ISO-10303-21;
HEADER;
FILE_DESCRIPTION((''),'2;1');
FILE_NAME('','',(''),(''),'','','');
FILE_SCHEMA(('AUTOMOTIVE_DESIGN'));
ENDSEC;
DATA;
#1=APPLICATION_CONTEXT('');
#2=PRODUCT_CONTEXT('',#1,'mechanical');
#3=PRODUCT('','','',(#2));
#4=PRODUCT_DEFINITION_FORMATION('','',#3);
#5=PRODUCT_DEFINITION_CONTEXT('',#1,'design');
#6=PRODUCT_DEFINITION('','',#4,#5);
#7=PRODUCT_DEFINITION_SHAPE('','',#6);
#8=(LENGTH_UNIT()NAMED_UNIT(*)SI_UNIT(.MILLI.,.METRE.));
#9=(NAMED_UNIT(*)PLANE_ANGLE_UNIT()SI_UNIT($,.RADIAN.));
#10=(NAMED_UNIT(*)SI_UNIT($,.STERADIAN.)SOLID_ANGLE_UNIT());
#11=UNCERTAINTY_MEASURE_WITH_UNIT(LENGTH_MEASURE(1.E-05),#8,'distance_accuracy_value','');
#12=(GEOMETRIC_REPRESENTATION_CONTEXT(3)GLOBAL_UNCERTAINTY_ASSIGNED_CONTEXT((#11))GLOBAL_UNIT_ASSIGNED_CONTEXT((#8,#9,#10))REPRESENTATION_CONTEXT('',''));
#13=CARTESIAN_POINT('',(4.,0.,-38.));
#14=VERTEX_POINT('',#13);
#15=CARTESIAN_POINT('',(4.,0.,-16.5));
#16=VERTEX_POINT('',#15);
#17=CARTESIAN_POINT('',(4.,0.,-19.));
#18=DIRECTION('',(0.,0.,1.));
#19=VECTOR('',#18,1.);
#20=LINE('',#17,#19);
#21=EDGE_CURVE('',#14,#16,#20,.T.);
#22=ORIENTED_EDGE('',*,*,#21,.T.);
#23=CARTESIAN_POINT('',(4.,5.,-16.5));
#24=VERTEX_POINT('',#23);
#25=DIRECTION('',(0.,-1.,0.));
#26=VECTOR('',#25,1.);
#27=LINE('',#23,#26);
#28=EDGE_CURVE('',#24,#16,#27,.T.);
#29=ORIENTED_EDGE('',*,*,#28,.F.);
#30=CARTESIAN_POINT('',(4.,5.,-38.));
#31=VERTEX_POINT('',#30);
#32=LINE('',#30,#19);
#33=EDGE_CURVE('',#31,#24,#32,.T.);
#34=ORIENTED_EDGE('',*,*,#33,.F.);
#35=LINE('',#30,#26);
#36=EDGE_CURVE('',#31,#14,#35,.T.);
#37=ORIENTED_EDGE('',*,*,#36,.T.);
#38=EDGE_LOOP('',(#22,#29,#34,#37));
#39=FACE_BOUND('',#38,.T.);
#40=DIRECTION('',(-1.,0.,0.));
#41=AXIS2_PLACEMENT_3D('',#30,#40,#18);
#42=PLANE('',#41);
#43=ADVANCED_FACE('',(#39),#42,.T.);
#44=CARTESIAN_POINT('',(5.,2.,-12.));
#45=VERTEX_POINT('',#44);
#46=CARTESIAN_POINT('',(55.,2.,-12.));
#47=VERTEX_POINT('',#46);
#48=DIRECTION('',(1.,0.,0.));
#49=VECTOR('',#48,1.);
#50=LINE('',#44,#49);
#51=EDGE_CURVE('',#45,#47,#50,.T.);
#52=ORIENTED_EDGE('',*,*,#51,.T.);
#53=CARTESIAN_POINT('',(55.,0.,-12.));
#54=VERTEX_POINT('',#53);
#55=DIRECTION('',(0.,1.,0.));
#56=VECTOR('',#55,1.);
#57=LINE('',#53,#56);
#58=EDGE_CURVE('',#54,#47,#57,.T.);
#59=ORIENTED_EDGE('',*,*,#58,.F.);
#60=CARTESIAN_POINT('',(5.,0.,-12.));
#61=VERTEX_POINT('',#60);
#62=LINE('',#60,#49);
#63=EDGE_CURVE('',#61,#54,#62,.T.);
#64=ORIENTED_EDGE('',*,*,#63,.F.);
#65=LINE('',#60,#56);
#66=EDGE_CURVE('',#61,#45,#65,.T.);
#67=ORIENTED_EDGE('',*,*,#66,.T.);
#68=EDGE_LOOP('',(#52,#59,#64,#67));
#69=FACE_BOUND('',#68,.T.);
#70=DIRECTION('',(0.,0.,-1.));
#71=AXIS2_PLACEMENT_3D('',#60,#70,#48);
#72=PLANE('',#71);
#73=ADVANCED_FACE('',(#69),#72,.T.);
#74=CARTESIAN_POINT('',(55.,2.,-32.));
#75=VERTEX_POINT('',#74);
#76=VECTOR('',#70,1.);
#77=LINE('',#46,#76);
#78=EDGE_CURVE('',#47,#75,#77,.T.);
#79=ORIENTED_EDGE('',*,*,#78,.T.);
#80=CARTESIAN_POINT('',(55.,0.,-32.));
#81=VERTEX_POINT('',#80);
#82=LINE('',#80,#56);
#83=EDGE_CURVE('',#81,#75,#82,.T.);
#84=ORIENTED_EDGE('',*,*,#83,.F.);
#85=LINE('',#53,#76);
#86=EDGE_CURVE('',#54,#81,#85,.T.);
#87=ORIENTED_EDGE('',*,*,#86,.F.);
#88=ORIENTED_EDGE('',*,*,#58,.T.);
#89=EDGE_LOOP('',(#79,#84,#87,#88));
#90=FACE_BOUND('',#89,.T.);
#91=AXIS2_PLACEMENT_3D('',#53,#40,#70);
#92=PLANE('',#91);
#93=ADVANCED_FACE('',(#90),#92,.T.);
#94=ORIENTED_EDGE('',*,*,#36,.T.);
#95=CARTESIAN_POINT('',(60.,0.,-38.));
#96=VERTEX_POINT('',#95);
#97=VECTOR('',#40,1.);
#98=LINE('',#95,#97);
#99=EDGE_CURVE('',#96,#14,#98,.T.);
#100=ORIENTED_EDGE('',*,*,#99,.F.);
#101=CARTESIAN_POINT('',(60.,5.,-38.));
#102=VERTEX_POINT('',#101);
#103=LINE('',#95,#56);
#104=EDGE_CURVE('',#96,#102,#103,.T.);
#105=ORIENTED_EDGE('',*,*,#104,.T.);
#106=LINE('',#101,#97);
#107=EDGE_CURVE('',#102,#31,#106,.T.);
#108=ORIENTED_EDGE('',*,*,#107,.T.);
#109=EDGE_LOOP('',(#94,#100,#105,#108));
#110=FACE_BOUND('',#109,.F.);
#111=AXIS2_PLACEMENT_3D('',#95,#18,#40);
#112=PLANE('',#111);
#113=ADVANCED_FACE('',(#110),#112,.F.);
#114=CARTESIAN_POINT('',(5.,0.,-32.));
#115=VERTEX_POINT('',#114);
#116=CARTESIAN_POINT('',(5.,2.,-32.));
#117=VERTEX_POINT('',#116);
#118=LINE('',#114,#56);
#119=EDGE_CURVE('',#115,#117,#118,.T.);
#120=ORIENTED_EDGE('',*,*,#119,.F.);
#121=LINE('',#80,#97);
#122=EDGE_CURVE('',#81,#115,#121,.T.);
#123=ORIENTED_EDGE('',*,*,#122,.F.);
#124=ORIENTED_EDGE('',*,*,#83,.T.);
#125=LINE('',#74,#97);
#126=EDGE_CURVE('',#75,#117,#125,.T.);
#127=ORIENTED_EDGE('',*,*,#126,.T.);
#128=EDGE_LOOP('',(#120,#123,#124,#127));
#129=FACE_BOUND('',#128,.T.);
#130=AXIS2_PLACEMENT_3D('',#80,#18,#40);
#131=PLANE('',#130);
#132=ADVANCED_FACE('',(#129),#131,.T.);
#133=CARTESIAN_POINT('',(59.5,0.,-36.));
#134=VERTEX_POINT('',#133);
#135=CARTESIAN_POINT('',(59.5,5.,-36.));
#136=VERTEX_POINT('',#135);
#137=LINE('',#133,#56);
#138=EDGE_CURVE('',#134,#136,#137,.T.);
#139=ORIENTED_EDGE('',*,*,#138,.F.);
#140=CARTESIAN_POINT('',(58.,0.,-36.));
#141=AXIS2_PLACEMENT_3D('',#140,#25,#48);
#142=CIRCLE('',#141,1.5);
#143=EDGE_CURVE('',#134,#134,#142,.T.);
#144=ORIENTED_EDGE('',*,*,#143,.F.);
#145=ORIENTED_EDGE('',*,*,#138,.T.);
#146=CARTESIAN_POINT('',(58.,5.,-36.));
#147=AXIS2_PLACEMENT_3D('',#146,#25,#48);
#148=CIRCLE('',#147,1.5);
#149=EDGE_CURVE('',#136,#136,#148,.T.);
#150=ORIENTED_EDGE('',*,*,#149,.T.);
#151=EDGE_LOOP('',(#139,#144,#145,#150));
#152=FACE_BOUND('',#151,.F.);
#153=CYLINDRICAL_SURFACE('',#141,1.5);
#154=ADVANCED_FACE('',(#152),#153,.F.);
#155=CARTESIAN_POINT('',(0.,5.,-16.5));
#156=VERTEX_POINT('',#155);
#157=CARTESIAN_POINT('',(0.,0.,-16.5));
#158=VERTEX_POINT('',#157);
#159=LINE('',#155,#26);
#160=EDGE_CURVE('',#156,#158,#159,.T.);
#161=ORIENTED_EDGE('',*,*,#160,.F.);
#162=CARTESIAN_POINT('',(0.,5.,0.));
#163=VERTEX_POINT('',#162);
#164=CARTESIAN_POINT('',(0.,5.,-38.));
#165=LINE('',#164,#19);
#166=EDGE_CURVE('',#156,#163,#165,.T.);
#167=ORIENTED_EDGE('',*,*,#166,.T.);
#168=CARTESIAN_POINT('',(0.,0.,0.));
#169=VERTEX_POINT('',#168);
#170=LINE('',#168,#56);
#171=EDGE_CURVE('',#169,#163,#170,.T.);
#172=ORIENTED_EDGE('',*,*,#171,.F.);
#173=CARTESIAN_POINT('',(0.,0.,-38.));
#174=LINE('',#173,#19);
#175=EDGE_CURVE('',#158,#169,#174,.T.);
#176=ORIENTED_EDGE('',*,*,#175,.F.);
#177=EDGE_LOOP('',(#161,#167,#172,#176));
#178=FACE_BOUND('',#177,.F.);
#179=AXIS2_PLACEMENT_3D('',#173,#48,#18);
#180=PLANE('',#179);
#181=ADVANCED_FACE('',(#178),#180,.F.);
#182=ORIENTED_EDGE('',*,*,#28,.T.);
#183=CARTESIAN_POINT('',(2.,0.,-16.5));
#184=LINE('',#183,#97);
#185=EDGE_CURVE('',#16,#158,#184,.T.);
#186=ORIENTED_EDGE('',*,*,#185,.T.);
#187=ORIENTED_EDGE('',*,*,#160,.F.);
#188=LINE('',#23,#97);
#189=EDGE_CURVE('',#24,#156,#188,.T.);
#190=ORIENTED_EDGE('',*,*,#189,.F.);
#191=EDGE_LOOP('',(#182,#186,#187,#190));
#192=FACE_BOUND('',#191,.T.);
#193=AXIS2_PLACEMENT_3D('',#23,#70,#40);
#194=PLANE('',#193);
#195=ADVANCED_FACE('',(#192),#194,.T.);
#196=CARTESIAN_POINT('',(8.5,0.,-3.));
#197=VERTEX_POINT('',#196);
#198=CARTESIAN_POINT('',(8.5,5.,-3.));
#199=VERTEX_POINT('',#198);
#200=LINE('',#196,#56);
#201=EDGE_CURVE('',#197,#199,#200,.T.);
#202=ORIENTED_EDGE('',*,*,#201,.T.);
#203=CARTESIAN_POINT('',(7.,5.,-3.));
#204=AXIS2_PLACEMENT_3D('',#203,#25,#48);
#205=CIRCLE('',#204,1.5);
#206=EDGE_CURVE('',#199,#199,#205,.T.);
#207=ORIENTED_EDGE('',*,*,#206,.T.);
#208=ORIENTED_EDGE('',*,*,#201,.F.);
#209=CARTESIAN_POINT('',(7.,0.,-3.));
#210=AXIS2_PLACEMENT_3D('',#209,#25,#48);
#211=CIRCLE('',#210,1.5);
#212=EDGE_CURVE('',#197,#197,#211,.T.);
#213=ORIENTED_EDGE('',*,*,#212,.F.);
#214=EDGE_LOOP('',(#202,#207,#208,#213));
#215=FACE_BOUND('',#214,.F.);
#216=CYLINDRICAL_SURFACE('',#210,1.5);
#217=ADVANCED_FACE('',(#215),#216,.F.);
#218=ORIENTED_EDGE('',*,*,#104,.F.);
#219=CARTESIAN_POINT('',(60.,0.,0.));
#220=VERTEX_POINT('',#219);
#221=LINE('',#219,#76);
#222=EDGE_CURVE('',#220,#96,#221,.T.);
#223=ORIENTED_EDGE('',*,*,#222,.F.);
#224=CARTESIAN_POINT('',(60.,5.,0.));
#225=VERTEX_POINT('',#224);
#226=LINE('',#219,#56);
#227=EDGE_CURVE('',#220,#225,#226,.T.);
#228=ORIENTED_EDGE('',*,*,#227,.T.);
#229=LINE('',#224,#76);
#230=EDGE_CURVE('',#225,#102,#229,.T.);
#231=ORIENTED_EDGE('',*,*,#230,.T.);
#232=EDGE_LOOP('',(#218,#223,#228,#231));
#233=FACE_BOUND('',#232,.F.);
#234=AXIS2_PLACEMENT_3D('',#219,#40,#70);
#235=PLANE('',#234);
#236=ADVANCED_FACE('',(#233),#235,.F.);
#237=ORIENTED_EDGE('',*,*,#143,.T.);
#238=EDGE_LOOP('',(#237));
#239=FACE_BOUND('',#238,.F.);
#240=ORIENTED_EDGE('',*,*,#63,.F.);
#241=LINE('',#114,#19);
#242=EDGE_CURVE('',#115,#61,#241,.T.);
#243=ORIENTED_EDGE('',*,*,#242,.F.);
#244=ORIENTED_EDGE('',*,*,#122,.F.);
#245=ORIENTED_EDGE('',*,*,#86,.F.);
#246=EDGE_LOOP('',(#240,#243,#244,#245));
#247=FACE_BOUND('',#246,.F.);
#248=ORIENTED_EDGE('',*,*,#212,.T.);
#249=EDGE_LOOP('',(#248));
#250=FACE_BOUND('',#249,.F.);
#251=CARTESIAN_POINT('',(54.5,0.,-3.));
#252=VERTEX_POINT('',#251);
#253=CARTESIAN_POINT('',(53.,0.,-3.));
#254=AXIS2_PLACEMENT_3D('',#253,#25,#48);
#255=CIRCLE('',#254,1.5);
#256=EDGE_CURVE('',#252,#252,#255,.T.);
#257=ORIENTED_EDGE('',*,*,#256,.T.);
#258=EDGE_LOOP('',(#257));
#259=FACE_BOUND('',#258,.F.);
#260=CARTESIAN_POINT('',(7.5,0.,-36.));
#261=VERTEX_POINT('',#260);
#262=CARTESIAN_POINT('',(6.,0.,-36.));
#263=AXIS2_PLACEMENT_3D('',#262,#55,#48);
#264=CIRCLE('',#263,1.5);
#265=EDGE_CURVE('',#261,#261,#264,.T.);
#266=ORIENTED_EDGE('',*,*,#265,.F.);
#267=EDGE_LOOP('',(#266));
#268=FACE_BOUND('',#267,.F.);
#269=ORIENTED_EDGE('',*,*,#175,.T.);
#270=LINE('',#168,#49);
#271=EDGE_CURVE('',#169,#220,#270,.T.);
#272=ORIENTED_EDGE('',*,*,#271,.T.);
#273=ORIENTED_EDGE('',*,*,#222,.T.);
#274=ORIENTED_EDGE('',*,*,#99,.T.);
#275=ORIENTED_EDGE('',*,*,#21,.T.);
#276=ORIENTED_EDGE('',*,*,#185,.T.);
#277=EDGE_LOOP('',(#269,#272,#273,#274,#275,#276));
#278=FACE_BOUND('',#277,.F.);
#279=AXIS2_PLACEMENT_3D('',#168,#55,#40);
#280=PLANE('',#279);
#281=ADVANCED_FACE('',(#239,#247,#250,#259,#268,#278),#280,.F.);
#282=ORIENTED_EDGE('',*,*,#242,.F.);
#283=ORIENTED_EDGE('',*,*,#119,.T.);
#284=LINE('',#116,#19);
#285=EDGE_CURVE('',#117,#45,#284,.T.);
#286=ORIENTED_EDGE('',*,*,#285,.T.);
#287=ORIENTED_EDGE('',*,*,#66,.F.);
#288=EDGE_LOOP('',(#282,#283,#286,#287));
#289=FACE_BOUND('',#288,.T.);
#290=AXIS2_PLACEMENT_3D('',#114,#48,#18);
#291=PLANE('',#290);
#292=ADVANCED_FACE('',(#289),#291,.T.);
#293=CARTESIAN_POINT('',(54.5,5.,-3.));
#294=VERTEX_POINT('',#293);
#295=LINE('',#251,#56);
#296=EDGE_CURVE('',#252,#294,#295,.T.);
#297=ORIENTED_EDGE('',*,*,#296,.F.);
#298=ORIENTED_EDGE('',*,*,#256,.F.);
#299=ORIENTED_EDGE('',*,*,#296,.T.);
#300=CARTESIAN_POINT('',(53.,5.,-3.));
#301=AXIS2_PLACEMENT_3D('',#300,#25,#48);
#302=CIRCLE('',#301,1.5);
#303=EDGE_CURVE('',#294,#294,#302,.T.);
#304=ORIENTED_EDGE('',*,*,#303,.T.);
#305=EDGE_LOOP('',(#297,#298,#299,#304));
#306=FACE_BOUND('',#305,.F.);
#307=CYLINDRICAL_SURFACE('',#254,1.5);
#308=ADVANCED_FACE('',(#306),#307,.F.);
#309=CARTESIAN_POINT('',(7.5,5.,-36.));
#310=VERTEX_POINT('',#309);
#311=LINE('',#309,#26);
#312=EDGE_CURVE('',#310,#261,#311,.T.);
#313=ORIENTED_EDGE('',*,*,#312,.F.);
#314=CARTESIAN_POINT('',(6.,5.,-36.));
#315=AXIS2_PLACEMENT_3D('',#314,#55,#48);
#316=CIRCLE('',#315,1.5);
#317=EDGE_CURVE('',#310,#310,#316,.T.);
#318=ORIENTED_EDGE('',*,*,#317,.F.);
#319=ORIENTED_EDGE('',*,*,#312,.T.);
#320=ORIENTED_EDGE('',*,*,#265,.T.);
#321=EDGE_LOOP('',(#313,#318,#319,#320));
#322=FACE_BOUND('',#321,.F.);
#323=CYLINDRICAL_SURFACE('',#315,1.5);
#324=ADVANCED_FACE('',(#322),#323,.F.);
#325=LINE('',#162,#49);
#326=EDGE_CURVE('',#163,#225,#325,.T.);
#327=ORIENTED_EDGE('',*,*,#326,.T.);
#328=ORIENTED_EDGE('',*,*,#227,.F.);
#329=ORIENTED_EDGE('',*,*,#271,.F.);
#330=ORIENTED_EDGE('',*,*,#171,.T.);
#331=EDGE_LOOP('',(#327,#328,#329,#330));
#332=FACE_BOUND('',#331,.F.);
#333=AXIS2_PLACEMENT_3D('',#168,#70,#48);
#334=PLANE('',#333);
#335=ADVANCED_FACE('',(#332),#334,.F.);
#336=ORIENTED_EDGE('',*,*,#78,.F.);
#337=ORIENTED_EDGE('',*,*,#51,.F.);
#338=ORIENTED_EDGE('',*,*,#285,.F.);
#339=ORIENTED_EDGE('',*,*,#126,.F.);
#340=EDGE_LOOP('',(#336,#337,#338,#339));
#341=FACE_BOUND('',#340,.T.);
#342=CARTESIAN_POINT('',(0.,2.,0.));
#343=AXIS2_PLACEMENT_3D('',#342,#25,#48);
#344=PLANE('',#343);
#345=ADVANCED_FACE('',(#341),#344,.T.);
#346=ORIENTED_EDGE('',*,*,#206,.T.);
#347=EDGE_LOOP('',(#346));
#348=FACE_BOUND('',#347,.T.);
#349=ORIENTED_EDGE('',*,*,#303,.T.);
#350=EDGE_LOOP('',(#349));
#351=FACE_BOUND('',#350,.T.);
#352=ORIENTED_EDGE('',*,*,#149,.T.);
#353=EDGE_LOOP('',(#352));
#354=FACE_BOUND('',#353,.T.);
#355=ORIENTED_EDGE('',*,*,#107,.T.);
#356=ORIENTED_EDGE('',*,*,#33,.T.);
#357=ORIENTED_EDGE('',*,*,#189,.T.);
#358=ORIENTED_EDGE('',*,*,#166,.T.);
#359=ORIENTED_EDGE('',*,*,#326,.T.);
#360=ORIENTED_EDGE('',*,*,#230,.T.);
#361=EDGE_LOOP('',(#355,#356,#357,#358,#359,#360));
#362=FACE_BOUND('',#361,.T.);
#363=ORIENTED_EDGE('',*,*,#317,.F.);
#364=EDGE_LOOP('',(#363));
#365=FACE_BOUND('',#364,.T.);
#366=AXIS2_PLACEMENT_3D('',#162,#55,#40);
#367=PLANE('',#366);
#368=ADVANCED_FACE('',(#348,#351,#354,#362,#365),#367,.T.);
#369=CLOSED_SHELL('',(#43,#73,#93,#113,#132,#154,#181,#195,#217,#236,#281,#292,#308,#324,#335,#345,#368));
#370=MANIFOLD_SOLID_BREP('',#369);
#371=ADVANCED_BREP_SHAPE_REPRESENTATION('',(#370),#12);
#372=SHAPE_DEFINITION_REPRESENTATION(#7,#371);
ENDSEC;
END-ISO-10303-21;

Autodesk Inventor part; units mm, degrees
ref_plane "YZ Plane" through (0, 0, 0) normal (1, 0, 0) x (0, 1, 0)
ref_plane "XZ Plane" through (0, 0, 0) normal (0, 1, 0) x (-1, 0, 0)
ref_plane "XY Plane" through (0, 0, 0) normal (0, 0, 1) x (1, 0, 0)
sketch "Sketch2" plane through (0, 0, 0) normal (0, 1, 0) x (-1, 0, 0)
  line L0 (0, 0) -> (-60, 0)
  line L1 (-60, 0) -> (-60, -38)
  line L2 (-60, -38) -> (0, -38)
  line L3 (0, -38) -> (0, 0)
  dimension "d2" = 60
  dimension "d3" = 38
extrude "Extrusion1" add sketch "Sketch2" along normal blind 5
sketch "Sketch3" plane through (0, 0, 0) normal (0, -1, 0) x (1, 0, 0)
  line L0 (55, -32) -> (5, -32)
  line L1 (5, -32) -> (5, -12)
  line L2 (5, -12) -> (55, -12)
  line L3 (55, -12) -> (55, -32)
  line L4 (60, -38) -> (0, -38) projected
  line L5 (60, 0) -> (60, -38) projected
  point P0 (0, 0)
  dimension "d6" = 50
  dimension "d7" = 20
  dimension "d8" = 6
  dimension "d9" = 5
extrude "Extrusion2" cut sketch "Sketch3" against normal blind 2
sketch "Sketch5" plane through (0, 0, 0) normal (0, -1, 0) x (1, 0, 0)
  circle A0 centre (58, -36) radius 1.5
  line L0 (60, 0) -> (60, -38) projected
  line L1 (60, -38) -> (0, -38) projected
  line L2 (0, -38) -> (0, 0) projected
  dimension "d14" = 3
  dimension "d15" = 2
  dimension "d16" = 2
extrude "Extrusion3" cut sketch "Sketch5" against normal blind 5
sketch "Sketch6" plane through (0, 0, 0) normal (0, -1, 0) x (1, 0, 0)
  circle A0 centre (53, -3) radius 1.5
  line L0 (60, 0) -> (60, -38) projected
  line L1 (0, 0) -> (60, 0) projected
  circle A1 centre (7, -3) radius 1.5
  line L2 (0, -38) -> (0, 0) projected
  dimension "d22" = 3
  dimension "d23" = 7
  dimension "d24" = 3
  dimension "d25" = 3
  dimension "d26" = 7
  dimension "d27" = 3
extrude "Extrusion4" cut sketch "Sketch6" against normal blind 5
sketch "Sketch7" plane through (0, 5, 0) normal (0, 1, 0) x (1, 0, 0)
  line L0 (0, 38) -> (0, 0) projected
  line L1 (0, 38) -> (4, 38)
  line L2 (4, 38) -> (4, 16.5)
  line L3 (4, 16.5) -> (0, 16.5)
  line L4 (0, 16.5) -> (0, 38)
  dimension "d36" = 4
  dimension "d37" = 21.5
extrude "Extrusion5" cut sketch "Sketch7" against normal blind 10
sketch "Sketch8" plane through (0, 5, 0) normal (0, 1, 0) x (1, 0, 0)
  circle A0 centre (6, 36) radius 1.5
  line L0 (4, 38) -> (4, 16.5) projected
  line L1 (60, 38) -> (4, 38) projected
  point P0 (0, 0)
  dimension "d40" = 3
  dimension "d41" = 2
  dimension "d42" = 2
extrude "Extrusion6" cut sketch "Sketch8" against normal blind 10
properties part number "PiBed"
